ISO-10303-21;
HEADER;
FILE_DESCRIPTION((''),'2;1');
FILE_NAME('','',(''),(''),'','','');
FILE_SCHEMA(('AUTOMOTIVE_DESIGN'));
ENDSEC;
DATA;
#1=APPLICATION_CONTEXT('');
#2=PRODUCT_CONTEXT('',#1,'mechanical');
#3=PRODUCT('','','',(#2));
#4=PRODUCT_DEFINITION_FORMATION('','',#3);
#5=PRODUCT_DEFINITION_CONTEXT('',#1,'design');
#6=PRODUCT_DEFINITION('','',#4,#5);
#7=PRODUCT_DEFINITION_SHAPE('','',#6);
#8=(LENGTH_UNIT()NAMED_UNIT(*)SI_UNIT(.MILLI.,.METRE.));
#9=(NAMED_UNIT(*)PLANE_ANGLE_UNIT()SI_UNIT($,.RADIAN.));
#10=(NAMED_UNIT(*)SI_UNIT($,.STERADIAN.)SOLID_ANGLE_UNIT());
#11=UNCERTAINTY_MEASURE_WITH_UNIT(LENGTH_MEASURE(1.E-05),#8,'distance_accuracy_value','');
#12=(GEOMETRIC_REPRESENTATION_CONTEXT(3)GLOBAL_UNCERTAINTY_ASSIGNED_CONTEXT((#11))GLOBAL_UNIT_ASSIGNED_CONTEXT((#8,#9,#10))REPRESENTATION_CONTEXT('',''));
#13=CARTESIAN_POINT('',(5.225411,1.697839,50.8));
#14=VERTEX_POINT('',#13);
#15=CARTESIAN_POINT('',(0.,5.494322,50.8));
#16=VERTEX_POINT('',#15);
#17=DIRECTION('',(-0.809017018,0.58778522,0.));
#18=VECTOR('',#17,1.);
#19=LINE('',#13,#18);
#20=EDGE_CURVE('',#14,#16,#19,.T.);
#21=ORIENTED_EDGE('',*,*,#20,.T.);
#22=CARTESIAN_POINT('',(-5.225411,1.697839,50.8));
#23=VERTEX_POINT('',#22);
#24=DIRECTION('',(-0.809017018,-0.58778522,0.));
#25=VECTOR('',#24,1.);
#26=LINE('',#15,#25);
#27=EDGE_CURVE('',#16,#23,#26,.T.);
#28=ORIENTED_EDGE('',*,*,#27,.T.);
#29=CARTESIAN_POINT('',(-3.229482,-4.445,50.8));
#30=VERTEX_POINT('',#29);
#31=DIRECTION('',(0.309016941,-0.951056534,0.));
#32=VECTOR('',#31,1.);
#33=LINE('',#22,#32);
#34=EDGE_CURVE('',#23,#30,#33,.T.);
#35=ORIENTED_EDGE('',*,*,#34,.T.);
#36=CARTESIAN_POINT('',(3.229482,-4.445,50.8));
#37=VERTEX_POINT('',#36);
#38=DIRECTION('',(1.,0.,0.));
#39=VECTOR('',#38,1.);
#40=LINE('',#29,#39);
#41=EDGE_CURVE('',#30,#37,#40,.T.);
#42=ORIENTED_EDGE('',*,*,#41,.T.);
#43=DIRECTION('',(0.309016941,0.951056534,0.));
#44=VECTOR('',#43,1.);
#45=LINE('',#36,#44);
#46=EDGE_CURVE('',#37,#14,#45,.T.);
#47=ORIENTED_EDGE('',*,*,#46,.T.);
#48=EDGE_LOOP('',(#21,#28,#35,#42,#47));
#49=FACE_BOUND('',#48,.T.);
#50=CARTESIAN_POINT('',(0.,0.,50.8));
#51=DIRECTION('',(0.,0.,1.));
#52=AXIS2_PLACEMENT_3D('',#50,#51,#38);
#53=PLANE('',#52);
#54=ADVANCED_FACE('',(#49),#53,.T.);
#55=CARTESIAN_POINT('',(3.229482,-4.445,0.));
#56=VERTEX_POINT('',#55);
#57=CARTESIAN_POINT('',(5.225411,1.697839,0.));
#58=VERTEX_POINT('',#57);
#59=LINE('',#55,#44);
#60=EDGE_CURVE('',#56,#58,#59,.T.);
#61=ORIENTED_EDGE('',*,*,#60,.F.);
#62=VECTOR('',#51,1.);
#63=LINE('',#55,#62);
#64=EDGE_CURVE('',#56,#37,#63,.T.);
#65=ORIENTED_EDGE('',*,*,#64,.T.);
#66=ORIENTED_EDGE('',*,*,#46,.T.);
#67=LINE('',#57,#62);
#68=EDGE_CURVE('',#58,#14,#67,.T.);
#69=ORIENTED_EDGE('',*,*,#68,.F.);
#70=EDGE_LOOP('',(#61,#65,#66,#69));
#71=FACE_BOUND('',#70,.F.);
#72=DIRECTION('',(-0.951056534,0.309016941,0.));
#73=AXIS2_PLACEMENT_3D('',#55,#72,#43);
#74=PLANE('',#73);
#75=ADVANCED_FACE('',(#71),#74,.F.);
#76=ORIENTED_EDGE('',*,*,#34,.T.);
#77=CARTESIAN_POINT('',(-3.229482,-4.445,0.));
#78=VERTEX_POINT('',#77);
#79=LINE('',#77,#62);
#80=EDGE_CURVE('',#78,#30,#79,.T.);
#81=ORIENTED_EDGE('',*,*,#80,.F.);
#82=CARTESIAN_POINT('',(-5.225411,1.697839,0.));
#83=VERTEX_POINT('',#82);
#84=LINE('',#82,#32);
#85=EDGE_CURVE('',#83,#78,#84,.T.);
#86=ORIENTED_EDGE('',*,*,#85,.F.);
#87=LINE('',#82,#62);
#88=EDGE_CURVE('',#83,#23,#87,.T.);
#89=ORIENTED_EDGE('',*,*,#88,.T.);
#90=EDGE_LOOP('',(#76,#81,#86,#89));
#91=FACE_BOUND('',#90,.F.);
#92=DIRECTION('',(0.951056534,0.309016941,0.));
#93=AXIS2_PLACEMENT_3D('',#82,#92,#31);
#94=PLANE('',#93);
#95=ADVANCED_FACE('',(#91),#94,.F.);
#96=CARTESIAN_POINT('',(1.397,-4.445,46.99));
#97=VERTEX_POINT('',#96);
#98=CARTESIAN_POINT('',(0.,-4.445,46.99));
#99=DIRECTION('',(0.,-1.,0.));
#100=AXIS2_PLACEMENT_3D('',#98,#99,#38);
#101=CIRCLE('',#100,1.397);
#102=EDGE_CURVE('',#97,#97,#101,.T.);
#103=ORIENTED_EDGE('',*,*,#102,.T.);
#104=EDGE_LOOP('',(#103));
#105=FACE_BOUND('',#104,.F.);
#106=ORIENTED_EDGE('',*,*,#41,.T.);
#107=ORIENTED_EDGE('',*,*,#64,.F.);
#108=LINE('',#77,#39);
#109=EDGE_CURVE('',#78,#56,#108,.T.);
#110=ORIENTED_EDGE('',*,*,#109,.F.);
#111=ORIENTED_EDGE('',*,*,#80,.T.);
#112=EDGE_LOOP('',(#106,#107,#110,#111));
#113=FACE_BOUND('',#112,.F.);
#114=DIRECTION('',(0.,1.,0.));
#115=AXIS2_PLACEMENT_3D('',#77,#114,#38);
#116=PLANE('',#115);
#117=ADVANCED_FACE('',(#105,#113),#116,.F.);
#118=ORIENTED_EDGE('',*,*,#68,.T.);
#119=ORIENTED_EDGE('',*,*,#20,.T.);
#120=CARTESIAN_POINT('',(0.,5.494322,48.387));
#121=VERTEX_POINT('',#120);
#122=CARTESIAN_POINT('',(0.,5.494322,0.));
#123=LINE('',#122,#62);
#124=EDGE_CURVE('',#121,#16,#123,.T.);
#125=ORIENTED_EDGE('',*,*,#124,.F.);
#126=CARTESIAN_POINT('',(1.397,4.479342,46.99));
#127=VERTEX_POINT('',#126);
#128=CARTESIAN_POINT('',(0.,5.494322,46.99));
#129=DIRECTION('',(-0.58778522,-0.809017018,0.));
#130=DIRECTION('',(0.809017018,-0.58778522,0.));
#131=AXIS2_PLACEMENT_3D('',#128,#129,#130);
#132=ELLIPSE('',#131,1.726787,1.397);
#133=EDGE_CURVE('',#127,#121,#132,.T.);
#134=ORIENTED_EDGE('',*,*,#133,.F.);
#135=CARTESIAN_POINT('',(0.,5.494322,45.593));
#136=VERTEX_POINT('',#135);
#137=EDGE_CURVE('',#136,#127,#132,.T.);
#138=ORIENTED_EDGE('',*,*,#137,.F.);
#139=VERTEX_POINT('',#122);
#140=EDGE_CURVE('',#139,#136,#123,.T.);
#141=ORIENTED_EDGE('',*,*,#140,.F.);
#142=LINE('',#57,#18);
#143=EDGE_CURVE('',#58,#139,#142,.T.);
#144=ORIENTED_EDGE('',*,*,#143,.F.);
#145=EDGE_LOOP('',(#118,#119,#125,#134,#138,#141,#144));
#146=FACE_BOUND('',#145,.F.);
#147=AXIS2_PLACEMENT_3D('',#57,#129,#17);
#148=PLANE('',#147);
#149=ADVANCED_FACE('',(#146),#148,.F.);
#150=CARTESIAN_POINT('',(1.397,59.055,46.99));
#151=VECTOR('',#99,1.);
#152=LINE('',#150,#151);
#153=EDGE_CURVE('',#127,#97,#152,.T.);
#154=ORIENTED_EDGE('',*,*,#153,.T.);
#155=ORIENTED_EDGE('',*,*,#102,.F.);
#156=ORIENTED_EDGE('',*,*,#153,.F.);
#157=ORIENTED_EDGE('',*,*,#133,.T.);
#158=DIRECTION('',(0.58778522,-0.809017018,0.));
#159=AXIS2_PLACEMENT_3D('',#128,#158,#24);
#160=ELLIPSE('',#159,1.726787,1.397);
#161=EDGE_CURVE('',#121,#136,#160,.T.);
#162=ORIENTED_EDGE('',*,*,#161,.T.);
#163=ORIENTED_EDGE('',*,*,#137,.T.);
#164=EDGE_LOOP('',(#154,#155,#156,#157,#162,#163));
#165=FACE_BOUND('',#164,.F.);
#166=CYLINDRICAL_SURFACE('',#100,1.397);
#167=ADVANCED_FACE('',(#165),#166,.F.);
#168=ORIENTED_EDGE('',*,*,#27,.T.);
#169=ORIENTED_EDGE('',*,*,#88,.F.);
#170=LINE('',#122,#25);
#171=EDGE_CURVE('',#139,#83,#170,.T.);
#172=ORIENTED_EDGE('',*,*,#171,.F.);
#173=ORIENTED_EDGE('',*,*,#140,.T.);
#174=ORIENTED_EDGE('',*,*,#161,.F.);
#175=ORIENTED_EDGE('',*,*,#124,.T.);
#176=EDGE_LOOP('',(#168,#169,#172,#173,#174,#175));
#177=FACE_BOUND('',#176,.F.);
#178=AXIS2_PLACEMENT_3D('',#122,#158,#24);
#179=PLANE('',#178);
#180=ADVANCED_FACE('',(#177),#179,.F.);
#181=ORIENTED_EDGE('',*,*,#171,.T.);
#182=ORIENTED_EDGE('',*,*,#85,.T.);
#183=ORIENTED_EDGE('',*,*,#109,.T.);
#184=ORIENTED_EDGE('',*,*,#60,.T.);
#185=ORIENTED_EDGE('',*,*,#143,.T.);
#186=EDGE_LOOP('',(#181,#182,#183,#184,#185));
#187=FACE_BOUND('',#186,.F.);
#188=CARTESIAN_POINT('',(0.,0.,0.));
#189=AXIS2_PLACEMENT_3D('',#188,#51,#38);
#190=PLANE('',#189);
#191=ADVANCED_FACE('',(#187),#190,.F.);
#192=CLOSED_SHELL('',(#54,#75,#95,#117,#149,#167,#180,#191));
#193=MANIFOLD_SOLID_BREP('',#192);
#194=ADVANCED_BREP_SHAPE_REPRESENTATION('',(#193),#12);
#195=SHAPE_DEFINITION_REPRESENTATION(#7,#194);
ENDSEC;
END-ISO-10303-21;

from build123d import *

# Parameters (mm, degrees)
F1_DEPTH = 50.8
F2_R     = 1.397
F3_DEPTH = 63.5


with BuildPart() as f1:
    # F0 (on Top) → F1 (new body)
    with BuildSketch(Plane.XY):
        Polygon((3.229482, -4.445), (5.225411, 1.697839), (0, 5.494322), (-5.225411, 1.697839), (-3.229482, -4.445), align=None)
    extrude(amount=F1_DEPTH)

    # F2 (on face) → F3 (cut, symmetric)
    with BuildSketch(Plane.XZ.offset(4.445)):
        with Locations((0, 46.99)):
            Circle(F2_R)
    extrude(amount=F3_DEPTH, both=True, mode=Mode.SUBTRACT)


solid = f1.part
